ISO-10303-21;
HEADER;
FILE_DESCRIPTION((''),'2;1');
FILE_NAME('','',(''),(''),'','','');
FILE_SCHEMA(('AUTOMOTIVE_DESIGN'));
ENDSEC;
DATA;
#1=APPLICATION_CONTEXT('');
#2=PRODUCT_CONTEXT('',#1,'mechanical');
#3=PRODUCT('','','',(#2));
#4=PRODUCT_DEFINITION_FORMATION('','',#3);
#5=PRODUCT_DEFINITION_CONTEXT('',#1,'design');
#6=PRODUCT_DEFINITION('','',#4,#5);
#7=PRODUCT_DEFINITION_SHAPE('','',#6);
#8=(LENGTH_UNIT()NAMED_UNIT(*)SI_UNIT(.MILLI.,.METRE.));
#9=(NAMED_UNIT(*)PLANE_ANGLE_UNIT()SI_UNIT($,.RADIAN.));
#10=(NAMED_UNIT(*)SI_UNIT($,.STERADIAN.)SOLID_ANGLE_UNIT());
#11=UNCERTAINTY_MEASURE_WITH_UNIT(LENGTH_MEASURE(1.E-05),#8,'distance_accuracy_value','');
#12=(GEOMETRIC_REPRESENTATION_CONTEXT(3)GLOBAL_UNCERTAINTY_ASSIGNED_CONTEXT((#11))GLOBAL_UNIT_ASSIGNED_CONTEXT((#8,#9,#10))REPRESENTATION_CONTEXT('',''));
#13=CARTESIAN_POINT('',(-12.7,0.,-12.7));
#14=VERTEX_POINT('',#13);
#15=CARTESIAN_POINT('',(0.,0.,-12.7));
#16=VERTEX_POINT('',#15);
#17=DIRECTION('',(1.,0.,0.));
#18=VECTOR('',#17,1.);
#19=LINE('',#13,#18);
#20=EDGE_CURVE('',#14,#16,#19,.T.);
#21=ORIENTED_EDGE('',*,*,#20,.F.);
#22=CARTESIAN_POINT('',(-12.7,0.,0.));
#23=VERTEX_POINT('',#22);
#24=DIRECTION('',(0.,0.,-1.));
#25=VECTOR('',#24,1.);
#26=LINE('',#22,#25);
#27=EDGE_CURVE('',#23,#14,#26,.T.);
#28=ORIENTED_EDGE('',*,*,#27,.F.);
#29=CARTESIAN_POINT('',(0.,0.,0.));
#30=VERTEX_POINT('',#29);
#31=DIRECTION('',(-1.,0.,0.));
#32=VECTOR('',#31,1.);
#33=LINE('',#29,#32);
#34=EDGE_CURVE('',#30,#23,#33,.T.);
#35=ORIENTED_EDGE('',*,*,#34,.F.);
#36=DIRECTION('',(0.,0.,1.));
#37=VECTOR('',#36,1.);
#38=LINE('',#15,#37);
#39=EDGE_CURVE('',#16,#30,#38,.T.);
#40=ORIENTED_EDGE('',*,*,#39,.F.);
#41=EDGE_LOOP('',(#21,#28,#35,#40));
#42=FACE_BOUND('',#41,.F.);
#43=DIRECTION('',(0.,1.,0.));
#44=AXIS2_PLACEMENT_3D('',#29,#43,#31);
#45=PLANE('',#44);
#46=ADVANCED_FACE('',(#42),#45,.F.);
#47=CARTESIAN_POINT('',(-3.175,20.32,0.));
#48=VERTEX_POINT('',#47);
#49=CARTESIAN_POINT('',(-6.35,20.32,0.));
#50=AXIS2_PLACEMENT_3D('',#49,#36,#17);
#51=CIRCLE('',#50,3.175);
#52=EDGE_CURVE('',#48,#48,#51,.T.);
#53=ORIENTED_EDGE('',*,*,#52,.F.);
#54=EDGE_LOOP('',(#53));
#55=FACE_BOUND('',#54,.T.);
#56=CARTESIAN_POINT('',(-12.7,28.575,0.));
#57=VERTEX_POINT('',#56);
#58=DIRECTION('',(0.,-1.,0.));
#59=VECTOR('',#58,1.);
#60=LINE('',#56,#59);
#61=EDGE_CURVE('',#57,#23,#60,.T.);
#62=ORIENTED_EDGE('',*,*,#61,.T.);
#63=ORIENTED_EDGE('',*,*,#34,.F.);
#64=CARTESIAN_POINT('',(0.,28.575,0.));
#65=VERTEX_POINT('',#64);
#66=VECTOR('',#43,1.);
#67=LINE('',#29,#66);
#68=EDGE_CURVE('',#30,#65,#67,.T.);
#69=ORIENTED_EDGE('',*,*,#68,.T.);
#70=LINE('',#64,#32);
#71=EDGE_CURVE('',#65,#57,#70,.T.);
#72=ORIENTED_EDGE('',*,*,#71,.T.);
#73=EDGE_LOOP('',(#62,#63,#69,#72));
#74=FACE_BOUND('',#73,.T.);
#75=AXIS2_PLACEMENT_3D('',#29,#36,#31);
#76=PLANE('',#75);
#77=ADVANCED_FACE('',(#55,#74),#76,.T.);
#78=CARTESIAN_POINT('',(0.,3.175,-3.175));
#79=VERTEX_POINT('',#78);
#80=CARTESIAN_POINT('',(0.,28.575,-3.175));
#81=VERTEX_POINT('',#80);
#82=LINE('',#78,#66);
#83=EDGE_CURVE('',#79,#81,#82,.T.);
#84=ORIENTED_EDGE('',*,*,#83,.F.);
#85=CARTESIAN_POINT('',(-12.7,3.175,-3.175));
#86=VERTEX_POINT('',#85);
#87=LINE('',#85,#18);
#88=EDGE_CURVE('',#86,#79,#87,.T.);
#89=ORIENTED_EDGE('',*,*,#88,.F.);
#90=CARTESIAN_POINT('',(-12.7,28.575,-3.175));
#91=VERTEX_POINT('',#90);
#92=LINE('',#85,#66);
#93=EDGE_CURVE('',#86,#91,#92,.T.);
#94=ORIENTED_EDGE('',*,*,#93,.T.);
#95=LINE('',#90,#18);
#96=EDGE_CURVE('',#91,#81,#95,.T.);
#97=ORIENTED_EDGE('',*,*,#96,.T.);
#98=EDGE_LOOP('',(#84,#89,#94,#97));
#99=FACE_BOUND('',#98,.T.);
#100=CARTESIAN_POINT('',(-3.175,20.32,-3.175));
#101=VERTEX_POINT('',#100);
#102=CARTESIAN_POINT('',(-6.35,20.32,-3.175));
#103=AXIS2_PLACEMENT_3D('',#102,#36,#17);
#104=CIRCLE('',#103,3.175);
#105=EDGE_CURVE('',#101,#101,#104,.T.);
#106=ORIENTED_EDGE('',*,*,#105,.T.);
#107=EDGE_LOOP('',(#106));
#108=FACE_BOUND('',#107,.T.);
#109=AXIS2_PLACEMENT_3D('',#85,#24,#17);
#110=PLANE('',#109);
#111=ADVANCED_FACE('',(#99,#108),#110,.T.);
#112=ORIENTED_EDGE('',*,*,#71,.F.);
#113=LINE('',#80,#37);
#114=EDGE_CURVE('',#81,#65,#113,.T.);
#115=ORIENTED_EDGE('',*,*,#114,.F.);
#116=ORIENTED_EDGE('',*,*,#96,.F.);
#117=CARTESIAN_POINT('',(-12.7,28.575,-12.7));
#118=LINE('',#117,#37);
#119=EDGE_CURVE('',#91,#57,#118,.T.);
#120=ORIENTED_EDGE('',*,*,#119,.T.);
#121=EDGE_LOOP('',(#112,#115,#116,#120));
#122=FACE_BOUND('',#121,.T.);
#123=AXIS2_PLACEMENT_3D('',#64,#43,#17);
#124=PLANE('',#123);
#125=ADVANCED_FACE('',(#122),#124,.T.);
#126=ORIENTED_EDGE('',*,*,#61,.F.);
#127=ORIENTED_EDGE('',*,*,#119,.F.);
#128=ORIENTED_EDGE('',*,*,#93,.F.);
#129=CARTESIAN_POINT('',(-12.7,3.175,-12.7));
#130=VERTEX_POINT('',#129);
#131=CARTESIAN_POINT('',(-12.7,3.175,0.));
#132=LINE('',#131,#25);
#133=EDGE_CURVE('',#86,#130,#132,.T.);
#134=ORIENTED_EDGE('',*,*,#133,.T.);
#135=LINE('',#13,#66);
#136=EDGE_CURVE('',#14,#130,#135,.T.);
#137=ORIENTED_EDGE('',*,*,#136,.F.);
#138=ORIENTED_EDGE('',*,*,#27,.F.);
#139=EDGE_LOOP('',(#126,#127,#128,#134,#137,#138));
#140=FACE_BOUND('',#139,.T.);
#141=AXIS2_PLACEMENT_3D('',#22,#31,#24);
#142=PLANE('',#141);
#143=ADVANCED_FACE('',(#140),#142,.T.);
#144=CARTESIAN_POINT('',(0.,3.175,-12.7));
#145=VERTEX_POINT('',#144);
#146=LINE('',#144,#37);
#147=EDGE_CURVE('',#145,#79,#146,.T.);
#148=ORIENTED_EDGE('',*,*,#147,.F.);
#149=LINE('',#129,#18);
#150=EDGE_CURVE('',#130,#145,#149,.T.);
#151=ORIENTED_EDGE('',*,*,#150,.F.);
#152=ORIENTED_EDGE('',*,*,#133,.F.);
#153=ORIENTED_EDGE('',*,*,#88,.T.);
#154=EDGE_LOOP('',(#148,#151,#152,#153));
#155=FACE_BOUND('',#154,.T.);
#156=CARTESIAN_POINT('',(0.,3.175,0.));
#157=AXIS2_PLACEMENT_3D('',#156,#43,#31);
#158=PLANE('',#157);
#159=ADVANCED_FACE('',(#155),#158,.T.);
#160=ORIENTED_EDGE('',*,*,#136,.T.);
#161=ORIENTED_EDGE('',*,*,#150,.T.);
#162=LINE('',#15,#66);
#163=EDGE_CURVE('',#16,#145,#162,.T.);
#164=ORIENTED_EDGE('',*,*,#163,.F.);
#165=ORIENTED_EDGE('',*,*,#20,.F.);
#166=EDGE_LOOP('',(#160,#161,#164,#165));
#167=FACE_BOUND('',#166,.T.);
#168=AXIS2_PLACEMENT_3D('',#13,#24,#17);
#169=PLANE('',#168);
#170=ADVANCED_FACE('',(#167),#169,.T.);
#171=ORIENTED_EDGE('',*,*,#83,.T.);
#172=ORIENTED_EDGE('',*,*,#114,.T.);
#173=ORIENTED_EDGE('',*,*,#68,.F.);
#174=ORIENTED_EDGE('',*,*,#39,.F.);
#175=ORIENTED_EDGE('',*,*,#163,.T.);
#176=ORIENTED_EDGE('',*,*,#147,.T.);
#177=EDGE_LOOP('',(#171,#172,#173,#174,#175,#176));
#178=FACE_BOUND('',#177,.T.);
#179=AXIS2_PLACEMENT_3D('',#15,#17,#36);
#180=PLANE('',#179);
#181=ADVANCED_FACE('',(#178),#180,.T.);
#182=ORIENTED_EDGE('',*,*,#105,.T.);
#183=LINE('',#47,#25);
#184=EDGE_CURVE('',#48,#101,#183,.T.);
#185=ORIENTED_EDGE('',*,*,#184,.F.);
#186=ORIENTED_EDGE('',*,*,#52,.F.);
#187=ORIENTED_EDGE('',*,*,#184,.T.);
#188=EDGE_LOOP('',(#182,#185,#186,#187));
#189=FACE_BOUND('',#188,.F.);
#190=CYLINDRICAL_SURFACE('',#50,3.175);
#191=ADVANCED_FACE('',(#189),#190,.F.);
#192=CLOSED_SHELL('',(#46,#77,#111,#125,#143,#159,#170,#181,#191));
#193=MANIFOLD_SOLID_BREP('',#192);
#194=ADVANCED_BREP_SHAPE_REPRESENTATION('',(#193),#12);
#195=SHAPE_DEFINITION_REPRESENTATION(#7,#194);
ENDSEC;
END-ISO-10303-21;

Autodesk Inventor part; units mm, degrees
ref_plane "YZ Plane" through (0, 0, 0) normal (1, 0, 0) x (0, 1, 0)
ref_plane "XZ Plane" through (0, 0, 0) normal (0, 1, 0) x (-1, 0, 0)
ref_plane "XY Plane" through (0, 0, 0) normal (0, 0, 1) x (1, 0, 0)
sketch "Sketch1" plane through (0, 0, 0) normal (0, 1, 0) x (-1, 0, 0)
  line L0 (0, 0) -> (12.7, 0)
  line L1 (12.7, 0) -> (12.7, -12.7)
  line L2 (12.7, -12.7) -> (0, -12.7)
  line L3 (0, -12.7) -> (0, 0)
  dimension "d0" = 12.7
  dimension "d1" = 12.7
extrude "Extrusion1" add sketch "Sketch1" along normal blind 3.175
sketch "Sketch2" plane through (0, 3.175, 0) normal (0, 1, 0) x (1, 0, 0)
  line L0 (-12.7, 12.7) -> (-12.7, 0) projected
  line L1 (0, 0) -> (-12.7, 0)
  line L2 (-12.7, 0) -> (-12.7, 3.175)
  line L3 (-12.7, 3.175) -> (0, 3.175)
  line L4 (0, 3.175) -> (0, 0)
  dimension "d4" = 3.175
extrude "Extrusion2" add sketch "Sketch2" along normal blind 25.4
sketch "Sketch3" plane through (-12.7, 0, 0) normal (0, 0, 1) x (1, 0, 0)
  circle A0 centre (6.35, 20.32) radius 3.175
  line L0 (12.7, 0) -> (0, 0) projected
  line L1 (0, 0) -> (0, 28.575) projected
  dimension "d7" = 6.35
  dimension "d8" = 20.32
  dimension "d9" = 6.35
extrude "Extrusion3" cut sketch "Sketch3" against normal blind 4.7625
properties part number "BackMount2CylinderAdapter"
